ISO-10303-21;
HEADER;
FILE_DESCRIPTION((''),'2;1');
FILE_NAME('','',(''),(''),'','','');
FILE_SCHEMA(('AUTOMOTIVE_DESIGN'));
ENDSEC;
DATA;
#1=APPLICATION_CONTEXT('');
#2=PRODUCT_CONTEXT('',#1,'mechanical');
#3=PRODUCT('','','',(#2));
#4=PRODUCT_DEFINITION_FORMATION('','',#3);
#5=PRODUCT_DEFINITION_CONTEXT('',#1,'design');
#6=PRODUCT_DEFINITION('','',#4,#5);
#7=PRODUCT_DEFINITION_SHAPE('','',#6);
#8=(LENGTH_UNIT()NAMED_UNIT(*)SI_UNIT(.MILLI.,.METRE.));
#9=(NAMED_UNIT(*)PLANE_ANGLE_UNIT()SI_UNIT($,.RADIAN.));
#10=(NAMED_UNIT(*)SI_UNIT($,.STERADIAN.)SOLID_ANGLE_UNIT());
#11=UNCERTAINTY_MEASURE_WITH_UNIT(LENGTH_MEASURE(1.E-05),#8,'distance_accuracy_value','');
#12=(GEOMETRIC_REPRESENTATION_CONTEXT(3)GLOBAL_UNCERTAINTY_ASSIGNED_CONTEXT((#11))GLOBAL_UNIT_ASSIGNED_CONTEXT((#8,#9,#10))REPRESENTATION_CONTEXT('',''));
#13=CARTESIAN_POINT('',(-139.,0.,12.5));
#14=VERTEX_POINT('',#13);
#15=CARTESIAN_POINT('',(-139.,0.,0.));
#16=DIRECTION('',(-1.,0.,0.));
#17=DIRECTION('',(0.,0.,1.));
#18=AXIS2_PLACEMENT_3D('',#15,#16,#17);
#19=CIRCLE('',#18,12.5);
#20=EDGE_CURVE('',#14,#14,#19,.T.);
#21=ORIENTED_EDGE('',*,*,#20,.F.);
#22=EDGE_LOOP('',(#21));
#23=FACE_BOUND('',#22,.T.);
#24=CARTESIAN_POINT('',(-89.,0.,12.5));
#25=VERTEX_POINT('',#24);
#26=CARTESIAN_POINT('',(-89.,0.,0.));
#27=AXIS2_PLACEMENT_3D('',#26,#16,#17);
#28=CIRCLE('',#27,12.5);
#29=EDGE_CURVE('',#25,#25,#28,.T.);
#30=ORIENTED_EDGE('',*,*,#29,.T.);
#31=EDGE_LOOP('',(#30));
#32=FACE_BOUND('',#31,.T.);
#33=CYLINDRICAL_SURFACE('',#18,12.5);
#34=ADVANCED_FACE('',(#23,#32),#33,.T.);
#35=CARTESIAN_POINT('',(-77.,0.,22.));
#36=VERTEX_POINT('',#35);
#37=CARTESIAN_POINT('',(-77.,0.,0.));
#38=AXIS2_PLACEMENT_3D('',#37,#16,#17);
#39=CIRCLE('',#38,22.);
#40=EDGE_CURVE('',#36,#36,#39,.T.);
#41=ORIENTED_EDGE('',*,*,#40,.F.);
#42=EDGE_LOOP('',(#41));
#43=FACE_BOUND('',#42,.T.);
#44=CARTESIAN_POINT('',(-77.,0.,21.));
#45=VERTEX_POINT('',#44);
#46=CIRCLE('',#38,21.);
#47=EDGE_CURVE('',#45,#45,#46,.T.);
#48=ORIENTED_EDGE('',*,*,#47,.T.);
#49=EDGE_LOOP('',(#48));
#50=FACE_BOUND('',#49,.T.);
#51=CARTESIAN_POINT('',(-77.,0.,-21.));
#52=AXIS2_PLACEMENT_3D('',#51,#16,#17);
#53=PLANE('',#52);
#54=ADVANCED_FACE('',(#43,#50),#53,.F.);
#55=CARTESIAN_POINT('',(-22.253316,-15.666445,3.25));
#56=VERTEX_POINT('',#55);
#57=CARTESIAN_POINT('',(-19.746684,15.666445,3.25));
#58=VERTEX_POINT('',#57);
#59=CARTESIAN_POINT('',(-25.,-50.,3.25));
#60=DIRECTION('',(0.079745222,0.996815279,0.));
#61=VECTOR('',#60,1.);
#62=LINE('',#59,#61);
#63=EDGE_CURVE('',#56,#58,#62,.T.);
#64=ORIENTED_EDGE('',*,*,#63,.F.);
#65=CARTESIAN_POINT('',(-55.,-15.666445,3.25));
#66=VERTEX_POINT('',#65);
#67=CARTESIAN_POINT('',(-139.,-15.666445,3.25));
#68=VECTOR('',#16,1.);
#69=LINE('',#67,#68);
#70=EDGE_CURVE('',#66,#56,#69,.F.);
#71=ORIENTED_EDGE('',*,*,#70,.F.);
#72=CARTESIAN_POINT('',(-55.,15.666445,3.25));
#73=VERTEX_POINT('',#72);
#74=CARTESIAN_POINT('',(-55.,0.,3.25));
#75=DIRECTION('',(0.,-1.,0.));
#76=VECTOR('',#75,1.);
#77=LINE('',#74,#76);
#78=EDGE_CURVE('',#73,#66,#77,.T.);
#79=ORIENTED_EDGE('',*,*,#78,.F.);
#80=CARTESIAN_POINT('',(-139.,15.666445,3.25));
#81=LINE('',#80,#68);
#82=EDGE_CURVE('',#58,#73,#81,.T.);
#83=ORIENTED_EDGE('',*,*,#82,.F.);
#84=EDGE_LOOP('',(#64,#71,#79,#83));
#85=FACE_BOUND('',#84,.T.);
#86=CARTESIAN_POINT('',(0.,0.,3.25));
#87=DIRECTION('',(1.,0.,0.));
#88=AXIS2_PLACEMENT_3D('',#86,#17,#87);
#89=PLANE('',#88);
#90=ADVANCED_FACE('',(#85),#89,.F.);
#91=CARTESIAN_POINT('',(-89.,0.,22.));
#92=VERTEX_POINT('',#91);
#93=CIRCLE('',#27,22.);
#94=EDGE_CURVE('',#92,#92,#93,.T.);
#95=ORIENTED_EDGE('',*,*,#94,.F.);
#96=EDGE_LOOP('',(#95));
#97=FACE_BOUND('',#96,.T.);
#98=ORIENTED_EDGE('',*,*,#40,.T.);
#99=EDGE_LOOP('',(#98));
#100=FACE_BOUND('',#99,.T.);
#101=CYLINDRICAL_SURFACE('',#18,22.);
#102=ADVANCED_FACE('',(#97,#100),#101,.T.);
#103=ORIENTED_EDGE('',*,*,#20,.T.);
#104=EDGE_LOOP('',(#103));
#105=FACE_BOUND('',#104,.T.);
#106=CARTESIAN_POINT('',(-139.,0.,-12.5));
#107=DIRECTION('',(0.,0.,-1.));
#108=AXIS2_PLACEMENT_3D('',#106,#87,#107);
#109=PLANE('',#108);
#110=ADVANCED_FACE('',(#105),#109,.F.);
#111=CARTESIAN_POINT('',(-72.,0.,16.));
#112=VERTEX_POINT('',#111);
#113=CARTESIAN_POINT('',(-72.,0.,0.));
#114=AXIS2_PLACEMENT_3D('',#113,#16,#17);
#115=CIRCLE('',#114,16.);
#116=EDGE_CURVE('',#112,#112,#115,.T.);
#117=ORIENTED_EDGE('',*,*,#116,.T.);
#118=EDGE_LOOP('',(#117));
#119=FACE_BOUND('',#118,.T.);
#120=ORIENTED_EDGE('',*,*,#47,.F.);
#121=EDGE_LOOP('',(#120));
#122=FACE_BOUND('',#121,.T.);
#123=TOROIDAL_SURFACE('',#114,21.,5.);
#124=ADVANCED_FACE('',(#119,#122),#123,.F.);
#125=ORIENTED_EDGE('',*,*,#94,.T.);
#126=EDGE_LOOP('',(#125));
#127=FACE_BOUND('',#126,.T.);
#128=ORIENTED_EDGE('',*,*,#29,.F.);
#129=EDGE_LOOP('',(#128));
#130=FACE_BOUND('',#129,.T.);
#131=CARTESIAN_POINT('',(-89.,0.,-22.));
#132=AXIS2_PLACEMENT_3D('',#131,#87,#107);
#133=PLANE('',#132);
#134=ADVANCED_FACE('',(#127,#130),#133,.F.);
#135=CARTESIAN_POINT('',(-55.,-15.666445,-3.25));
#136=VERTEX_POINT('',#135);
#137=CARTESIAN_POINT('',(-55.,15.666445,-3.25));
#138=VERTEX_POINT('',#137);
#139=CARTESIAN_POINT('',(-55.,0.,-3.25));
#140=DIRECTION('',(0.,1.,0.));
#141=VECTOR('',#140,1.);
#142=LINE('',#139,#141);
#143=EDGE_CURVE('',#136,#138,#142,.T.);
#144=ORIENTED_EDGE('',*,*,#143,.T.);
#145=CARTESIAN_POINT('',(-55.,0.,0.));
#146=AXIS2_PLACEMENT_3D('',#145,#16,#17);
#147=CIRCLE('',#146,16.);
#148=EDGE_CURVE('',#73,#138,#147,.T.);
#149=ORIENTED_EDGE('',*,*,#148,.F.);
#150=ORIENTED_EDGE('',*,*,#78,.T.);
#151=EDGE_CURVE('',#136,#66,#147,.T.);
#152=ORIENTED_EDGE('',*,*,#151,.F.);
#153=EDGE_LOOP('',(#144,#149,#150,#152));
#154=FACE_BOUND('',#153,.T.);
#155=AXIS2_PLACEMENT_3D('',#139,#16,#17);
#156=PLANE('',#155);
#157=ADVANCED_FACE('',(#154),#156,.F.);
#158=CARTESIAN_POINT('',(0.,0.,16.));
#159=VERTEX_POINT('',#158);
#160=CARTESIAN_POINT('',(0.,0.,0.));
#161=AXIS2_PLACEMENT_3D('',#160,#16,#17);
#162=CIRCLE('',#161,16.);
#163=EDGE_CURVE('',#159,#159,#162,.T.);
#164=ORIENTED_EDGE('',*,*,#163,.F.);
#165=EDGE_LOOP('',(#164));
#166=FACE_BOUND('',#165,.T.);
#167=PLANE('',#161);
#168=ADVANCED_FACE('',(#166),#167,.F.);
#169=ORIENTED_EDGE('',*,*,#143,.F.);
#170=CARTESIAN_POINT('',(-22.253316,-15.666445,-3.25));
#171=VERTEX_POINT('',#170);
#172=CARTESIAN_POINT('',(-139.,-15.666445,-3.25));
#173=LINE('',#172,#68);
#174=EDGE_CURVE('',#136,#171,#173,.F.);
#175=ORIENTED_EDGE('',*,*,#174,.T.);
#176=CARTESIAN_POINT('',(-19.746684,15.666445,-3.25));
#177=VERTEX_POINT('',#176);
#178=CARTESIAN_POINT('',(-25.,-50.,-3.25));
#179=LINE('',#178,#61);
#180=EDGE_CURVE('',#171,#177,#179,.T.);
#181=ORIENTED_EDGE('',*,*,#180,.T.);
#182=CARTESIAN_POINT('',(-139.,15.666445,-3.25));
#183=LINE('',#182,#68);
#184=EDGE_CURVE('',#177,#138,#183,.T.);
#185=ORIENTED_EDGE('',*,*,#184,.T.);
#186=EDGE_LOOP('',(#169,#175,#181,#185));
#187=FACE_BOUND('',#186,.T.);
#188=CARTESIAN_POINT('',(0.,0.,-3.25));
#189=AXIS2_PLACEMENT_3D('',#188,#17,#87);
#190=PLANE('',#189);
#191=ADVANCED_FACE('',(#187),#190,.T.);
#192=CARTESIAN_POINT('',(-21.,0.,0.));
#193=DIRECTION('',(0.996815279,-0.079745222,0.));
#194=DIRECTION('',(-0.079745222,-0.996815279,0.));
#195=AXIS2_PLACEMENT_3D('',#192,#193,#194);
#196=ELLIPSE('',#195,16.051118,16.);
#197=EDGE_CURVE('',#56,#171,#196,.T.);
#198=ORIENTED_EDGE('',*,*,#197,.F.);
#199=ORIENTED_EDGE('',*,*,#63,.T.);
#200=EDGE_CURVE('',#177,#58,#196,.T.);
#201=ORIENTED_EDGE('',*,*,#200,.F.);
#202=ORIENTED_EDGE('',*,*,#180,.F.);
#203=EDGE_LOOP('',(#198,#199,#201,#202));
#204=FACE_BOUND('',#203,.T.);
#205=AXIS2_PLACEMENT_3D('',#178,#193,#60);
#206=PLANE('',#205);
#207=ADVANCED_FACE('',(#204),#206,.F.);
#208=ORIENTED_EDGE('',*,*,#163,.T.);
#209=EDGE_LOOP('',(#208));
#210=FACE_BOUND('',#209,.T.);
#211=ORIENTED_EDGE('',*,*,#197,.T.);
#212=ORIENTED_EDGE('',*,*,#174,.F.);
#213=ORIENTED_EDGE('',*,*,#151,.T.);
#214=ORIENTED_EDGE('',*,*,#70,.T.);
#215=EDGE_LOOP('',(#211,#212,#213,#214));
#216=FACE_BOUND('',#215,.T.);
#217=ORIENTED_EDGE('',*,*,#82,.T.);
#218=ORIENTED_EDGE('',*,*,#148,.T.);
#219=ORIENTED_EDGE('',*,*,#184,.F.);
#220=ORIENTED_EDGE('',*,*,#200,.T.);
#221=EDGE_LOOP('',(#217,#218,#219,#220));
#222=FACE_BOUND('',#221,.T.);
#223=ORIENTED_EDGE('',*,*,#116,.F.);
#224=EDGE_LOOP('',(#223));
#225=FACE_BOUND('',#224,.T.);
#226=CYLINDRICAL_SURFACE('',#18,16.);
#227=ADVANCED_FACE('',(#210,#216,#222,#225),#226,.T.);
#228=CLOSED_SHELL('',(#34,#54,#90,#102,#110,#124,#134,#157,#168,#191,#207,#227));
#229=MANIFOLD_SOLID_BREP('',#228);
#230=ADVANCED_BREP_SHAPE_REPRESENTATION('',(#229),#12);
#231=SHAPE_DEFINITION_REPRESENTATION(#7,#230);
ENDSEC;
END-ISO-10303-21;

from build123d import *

# Parameters (mm, degrees)
CUT_EXTRUDE1_DEPTH = 3.25


with BuildPart() as part:
    # Sketch1 → Revolve1 (revolve)
    with BuildSketch(Plane(origin=(0, 0, 0), x_dir=(1, 0, 0), z_dir=(0, 1, 0)), mode=Mode.PRIVATE) as revolve1_sk:
        with BuildLine():
            Line((-139, 0), (0, 0))
            Line((0, 0), (0, 16))
            Line((0, 16), (-72, 16))
            ThreePointArc((-72, 16), (-75.535533906, 17.464466094), (-77, 21))
            Line((-77, 21), (-77, 22))
            Line((-77, 22), (-89, 22))
            Line((-89, 22), (-89, 12.5))
            Line((-89, 12.5), (-139, 12.5))
            Line((-139, 12.5), (-139, 0))
        make_face()
    revolve(revolve1_sk.sketch.rotate(Axis((-139, 0, 0), (1, 0, 0)), 180), axis=Axis((-139, 0, 0), (1, 0, 0)))

    # Sketch2 → Cut-Extrude1 (cut, symmetric)
    with BuildSketch(Plane.XY):
        Polygon((-55, 0), (-55, 50), (-17, 50), (-25, -50), (-55, -50), align=None)
    extrude(amount=CUT_EXTRUDE1_DEPTH, both=True, mode=Mode.SUBTRACT)


solid = part.part
